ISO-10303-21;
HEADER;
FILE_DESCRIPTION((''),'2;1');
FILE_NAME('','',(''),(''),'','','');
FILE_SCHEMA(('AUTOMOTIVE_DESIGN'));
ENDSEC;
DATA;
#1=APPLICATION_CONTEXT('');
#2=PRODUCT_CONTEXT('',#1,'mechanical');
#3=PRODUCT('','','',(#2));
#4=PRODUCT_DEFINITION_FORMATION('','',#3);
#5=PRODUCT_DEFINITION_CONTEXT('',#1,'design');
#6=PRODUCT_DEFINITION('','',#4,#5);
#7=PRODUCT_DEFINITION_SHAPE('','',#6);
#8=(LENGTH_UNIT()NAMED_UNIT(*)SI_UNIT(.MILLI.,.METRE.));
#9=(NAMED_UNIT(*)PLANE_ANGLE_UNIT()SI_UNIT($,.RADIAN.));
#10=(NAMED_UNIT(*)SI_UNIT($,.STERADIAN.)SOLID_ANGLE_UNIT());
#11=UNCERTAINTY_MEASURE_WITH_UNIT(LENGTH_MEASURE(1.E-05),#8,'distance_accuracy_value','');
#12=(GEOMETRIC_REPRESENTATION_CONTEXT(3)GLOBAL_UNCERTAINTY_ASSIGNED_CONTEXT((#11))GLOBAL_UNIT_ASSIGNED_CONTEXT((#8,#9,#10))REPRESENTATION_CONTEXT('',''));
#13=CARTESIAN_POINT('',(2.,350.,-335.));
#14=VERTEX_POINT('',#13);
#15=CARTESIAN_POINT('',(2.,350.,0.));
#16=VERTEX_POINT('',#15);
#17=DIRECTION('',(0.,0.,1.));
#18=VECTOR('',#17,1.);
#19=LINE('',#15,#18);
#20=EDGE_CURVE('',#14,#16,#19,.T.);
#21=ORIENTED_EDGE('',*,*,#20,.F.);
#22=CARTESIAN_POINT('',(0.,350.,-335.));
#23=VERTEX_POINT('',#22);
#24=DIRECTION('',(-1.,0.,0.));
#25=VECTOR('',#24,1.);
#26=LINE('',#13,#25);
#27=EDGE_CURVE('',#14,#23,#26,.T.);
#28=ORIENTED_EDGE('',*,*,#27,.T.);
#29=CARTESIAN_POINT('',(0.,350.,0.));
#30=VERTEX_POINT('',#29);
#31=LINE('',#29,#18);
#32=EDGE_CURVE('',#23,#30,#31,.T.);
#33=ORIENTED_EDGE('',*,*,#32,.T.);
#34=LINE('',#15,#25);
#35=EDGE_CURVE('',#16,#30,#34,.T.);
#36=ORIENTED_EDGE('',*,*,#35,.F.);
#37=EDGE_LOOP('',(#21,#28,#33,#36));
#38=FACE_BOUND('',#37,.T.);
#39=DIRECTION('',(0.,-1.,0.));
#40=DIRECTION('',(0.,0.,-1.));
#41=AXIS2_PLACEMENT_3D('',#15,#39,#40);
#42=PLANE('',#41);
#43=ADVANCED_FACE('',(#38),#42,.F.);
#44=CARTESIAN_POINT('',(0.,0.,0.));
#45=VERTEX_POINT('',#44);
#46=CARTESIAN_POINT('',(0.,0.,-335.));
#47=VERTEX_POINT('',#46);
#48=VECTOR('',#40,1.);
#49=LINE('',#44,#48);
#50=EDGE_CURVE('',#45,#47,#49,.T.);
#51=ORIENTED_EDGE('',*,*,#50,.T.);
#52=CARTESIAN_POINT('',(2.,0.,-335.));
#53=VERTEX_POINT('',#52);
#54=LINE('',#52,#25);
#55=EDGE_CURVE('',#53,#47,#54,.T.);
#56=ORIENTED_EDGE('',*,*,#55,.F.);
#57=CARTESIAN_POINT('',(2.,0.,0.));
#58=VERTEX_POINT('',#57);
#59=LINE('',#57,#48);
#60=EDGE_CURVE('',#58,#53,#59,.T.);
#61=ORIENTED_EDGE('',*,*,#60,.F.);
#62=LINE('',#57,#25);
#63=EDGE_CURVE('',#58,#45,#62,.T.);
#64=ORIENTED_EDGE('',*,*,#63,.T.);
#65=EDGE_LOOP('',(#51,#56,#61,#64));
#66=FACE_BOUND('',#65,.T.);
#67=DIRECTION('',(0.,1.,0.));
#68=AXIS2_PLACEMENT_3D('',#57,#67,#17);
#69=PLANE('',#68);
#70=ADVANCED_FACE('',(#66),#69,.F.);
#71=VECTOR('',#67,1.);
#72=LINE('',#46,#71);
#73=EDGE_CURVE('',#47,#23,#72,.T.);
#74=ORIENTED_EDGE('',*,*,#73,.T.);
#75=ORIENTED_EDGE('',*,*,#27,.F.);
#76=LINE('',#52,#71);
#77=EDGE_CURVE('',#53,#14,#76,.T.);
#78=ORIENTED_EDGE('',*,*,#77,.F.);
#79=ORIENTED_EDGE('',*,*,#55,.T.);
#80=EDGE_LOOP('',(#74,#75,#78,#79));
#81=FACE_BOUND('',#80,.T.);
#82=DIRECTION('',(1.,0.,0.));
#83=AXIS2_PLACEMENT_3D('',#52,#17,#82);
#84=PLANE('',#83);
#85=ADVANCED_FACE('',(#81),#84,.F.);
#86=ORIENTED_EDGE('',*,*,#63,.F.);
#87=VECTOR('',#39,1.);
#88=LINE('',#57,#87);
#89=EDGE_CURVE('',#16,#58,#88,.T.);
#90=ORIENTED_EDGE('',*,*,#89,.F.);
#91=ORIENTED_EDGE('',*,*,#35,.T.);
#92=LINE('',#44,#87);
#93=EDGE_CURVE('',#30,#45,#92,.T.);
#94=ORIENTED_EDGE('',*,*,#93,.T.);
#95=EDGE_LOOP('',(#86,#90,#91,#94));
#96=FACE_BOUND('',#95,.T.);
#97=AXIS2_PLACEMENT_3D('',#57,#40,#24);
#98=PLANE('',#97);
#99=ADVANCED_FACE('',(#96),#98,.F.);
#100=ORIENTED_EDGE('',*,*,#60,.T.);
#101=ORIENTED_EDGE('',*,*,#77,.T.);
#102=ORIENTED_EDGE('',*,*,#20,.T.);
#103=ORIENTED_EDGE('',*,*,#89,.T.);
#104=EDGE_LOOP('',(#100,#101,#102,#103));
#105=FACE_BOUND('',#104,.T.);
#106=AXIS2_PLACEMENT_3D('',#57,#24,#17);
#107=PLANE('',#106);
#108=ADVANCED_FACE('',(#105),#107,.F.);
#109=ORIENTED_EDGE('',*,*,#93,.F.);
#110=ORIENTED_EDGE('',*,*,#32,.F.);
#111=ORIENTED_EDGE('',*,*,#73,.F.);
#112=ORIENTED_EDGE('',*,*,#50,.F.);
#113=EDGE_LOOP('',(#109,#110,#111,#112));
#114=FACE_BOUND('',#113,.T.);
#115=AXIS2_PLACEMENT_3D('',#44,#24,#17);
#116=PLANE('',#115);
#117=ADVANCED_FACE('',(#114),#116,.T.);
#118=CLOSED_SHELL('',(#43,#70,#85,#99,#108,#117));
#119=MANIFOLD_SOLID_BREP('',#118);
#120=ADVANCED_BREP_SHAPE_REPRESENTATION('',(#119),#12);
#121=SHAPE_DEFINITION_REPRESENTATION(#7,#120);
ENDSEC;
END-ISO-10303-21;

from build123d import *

# Parameters (mm, degrees)
SKETCH_1_W      = 335
SKETCH_1_H      = 350
EXTRUDE_1_DEPTH = 2


with BuildPart() as part:
    # 草图1 → 凸台-拉伸1 (new body)
    with BuildSketch(Plane(origin=(0, 0, 0), x_dir=(0, 0, -1), z_dir=(1, 0, 0))):
        with Locations((167.5, 175)):
            Rectangle(SKETCH_1_W, SKETCH_1_H)
    extrude(amount=EXTRUDE_1_DEPTH)


solid = part.part
